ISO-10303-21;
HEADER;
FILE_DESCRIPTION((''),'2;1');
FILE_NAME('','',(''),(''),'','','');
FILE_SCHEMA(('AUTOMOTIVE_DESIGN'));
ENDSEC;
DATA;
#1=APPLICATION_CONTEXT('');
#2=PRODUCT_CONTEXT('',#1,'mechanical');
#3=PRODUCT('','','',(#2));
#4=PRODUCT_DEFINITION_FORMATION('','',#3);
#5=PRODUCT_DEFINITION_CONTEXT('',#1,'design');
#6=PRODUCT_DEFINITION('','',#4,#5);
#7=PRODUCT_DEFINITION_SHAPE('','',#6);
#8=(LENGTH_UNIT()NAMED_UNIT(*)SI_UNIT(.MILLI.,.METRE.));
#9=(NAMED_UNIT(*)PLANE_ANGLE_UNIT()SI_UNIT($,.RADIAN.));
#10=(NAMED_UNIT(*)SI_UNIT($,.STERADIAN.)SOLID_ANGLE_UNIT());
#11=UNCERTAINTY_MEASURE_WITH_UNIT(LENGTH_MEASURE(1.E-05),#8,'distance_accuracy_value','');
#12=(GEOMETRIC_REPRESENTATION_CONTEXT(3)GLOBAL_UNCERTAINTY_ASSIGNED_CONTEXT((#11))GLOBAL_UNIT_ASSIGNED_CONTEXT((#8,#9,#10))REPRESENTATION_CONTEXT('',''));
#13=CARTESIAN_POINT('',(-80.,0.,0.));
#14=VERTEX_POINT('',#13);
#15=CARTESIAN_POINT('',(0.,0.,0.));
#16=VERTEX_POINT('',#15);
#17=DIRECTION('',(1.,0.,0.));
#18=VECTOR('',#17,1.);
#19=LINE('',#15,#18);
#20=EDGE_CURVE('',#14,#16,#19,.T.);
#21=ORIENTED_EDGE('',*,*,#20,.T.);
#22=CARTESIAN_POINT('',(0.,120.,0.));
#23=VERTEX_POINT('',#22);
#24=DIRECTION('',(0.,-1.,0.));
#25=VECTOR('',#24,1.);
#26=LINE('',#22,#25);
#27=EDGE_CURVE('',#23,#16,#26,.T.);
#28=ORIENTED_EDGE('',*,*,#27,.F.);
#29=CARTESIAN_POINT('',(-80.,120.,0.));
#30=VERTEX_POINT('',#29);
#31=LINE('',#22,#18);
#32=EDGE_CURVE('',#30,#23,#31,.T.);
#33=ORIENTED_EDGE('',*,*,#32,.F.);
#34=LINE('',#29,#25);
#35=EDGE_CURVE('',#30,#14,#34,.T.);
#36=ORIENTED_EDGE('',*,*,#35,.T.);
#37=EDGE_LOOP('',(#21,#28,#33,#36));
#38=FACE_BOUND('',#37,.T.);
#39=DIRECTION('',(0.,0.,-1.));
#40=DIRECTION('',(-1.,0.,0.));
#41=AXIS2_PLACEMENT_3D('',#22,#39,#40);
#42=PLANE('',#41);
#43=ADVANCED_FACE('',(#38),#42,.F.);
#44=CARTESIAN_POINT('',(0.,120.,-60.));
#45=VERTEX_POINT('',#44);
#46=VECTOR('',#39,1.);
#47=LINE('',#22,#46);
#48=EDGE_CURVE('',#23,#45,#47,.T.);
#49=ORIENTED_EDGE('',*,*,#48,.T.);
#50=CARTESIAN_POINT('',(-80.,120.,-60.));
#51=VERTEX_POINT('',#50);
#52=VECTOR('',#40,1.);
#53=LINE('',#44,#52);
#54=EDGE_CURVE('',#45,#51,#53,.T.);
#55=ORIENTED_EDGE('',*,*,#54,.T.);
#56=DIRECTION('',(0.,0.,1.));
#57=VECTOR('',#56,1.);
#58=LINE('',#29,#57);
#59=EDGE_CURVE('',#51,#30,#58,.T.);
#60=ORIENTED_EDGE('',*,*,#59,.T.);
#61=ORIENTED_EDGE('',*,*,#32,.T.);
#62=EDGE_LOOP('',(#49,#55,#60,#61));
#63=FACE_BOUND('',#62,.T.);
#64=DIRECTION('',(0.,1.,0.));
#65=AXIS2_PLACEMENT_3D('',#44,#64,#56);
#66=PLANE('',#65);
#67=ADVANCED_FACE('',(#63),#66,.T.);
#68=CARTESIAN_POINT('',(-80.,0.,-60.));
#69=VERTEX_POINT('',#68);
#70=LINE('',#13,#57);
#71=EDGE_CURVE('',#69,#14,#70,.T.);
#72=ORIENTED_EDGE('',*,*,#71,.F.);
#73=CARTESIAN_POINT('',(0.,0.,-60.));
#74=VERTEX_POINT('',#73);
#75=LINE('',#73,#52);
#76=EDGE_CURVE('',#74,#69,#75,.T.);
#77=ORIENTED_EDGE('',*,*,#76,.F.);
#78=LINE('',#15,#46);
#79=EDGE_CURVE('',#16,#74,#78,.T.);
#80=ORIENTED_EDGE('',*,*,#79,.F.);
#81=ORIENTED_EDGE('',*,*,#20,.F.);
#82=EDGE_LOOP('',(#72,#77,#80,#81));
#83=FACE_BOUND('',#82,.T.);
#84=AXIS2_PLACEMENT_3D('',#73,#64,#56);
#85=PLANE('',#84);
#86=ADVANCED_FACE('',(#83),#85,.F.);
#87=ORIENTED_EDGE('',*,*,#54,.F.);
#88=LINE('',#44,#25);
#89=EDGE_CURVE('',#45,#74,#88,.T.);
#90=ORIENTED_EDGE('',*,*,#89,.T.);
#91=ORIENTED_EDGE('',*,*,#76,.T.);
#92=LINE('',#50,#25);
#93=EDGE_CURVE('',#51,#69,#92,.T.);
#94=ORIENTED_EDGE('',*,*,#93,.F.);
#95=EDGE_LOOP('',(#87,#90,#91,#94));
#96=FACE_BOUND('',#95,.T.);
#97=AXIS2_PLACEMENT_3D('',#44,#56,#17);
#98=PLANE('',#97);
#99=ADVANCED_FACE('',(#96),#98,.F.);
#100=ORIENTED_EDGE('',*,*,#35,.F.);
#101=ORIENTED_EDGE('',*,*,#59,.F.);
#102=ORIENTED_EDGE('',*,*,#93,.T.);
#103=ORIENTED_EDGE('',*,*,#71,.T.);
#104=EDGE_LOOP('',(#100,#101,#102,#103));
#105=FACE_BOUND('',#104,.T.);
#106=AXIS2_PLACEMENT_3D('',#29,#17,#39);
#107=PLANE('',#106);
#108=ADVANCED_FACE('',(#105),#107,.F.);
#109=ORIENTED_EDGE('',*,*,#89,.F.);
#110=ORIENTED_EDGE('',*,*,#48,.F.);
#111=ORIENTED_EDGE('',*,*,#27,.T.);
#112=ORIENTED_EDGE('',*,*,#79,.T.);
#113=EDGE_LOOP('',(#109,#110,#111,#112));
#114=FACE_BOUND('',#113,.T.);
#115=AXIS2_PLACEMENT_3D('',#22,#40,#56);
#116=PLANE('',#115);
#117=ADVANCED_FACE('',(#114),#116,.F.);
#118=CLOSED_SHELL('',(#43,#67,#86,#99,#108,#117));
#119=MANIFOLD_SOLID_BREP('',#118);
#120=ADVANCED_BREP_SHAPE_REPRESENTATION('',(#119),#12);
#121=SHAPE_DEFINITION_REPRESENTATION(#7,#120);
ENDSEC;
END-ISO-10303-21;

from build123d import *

# Parameters (mm, degrees)
SKETCH1_W      = 80
SKETCH1_H      = 60
EXTRUDE1_DEPTH = 120


with BuildPart() as part:
    # Sketch1 → Extrude1 (new body)
    with BuildSketch(Plane(origin=(0, 0, 0), x_dir=(1, 0, 0), z_dir=(0, 1, 0))):
        with Locations((-40, 30)):
            Rectangle(SKETCH1_W, SKETCH1_H)
    extrude(amount=EXTRUDE1_DEPTH)


solid = part.part
